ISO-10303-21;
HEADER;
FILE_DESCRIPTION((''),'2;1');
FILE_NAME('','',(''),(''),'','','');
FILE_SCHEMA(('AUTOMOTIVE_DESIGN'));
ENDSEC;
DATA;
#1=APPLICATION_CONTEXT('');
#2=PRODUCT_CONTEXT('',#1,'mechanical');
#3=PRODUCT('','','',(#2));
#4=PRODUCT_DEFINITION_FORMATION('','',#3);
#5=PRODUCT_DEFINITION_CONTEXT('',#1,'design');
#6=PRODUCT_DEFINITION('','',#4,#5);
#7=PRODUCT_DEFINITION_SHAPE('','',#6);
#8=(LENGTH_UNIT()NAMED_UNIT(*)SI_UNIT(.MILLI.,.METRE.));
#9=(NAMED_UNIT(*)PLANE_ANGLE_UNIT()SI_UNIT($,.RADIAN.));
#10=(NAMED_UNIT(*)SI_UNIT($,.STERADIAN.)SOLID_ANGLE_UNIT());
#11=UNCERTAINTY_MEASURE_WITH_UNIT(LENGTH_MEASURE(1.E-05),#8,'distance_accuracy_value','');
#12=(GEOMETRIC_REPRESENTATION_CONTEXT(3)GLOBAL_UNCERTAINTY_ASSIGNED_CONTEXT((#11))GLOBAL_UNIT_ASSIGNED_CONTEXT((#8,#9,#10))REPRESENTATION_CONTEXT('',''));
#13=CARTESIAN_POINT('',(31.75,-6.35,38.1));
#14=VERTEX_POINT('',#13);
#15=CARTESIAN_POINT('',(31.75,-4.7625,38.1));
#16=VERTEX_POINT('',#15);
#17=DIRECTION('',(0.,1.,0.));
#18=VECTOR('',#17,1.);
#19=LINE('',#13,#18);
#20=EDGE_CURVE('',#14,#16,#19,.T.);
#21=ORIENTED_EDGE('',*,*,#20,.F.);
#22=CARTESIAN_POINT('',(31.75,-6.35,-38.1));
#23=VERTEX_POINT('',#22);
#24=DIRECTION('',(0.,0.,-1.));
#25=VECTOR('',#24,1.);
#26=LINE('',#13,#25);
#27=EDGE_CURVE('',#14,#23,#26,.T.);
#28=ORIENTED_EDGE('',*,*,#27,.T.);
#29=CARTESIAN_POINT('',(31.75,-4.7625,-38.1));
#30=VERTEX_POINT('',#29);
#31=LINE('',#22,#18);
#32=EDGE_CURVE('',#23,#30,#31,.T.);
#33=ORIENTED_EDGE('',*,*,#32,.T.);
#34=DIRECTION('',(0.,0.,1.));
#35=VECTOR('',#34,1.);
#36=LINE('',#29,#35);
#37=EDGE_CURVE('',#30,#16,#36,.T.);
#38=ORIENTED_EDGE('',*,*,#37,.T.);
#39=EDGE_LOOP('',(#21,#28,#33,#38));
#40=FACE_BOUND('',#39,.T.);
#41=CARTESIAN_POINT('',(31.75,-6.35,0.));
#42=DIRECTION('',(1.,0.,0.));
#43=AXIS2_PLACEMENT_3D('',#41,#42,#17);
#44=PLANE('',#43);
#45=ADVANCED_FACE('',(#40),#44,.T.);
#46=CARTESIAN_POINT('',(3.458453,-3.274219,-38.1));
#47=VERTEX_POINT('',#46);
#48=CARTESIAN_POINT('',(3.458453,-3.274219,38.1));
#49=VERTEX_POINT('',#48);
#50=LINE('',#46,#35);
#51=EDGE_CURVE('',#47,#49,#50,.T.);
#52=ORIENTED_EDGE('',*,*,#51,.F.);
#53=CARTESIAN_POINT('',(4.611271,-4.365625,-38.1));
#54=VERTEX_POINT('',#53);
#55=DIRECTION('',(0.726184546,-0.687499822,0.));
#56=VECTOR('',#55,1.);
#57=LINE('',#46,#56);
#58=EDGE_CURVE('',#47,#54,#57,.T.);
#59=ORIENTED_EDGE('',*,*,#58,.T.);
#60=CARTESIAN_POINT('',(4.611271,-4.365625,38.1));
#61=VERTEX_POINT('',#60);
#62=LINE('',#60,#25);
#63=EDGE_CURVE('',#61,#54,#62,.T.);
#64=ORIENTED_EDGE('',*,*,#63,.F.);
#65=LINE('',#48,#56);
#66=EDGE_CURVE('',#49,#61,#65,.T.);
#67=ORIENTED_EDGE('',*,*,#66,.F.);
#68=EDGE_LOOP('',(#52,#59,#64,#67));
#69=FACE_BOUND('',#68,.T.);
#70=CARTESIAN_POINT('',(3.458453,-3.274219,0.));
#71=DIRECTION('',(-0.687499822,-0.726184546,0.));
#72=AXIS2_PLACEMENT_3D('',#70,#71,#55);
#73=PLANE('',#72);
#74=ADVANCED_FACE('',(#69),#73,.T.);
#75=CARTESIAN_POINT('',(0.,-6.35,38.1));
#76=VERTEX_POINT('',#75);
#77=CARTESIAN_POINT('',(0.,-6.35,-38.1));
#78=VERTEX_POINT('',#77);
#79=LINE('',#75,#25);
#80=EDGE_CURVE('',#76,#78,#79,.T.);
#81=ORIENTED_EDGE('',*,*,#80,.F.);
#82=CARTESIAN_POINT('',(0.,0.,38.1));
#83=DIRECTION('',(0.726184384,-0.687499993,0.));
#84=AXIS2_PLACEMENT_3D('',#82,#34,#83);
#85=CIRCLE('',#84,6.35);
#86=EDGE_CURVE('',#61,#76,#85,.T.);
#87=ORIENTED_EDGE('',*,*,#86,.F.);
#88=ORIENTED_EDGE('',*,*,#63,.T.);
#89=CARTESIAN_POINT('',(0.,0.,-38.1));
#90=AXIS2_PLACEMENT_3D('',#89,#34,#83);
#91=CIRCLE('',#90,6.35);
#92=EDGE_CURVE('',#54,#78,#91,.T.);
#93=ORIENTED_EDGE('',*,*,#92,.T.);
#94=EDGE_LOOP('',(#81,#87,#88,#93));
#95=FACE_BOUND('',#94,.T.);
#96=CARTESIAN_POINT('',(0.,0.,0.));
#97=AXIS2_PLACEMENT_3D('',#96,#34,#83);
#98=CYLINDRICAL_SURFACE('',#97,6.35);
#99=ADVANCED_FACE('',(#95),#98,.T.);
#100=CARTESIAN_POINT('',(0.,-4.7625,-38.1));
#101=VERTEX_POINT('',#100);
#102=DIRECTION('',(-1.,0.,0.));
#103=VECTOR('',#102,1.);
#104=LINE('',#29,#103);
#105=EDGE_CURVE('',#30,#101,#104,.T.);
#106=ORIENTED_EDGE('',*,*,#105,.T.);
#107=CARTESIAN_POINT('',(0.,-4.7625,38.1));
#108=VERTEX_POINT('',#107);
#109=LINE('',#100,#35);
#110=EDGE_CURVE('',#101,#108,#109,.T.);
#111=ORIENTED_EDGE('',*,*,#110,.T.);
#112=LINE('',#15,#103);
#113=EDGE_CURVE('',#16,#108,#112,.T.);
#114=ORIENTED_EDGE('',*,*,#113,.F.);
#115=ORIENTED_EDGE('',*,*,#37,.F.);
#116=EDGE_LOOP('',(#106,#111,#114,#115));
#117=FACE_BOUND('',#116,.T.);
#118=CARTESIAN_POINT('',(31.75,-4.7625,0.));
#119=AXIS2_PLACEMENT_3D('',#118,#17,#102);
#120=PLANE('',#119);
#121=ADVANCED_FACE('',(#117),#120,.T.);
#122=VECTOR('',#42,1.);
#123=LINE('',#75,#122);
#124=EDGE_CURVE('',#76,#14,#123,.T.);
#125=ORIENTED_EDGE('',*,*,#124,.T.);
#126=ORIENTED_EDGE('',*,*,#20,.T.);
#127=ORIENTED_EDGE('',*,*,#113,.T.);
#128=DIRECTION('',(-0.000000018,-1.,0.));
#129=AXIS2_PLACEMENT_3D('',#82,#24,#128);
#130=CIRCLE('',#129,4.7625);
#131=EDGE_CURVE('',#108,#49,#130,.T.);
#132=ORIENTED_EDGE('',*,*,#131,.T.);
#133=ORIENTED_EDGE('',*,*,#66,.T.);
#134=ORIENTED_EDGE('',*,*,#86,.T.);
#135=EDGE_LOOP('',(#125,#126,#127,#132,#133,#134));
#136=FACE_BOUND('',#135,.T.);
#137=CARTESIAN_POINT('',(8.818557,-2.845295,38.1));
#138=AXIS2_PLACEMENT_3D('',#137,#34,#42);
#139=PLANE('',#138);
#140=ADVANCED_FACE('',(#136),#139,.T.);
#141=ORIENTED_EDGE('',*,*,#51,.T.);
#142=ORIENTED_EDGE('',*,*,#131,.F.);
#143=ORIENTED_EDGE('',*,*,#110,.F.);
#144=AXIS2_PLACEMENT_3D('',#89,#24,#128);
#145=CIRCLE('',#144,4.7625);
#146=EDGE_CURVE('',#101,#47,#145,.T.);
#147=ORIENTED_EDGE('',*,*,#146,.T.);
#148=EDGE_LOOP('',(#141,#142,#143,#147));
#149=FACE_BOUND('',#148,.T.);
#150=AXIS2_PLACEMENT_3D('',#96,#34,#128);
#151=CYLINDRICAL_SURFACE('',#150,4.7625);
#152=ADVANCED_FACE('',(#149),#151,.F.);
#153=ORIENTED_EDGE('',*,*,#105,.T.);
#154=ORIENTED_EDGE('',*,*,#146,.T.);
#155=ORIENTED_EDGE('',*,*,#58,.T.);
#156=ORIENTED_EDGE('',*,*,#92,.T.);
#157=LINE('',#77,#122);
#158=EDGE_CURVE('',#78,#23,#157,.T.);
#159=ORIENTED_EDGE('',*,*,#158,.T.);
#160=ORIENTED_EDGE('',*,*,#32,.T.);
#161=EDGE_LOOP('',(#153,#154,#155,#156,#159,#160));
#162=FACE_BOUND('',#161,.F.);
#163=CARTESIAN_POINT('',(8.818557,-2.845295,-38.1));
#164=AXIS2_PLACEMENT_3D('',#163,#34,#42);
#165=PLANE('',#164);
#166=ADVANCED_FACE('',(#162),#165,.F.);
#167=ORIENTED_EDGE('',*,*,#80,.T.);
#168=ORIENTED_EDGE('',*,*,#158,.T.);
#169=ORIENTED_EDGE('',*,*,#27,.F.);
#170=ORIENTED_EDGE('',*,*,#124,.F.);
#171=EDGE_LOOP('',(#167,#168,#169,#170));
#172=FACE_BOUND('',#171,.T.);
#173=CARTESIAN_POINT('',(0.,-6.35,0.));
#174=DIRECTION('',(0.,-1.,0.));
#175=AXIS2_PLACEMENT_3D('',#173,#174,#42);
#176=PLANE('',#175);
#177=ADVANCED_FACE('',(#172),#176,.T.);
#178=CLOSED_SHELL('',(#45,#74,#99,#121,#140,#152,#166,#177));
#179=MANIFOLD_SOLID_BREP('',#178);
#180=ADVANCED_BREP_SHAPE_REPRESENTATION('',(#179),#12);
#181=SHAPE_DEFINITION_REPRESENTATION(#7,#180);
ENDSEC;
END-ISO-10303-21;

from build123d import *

# Parameters (mm, degrees)
F1_DEPTH = 38.1


with BuildPart() as f1:
    # F0 (on Top) → F1 (new body, symmetric)
    with BuildSketch(Plane.XY):
        with BuildLine():
            Line((31.75, -6.35), (31.75, -4.7625))
            Line((31.75, -4.7625), (0, -4.7625))
            ThreePointArc((0, -4.7625), (-1.882543, 4.374636), (3.458453, -3.274219))
            Line((3.458453, -3.274219), (4.611271, -4.365625))
            ThreePointArc((4.611271, -4.365625), (-2.510058, 5.832847), (0, -6.35))
            Line((0, -6.35), (31.75, -6.35))
        make_face()
    extrude(amount=F1_DEPTH, both=True)


solid = f1.part
